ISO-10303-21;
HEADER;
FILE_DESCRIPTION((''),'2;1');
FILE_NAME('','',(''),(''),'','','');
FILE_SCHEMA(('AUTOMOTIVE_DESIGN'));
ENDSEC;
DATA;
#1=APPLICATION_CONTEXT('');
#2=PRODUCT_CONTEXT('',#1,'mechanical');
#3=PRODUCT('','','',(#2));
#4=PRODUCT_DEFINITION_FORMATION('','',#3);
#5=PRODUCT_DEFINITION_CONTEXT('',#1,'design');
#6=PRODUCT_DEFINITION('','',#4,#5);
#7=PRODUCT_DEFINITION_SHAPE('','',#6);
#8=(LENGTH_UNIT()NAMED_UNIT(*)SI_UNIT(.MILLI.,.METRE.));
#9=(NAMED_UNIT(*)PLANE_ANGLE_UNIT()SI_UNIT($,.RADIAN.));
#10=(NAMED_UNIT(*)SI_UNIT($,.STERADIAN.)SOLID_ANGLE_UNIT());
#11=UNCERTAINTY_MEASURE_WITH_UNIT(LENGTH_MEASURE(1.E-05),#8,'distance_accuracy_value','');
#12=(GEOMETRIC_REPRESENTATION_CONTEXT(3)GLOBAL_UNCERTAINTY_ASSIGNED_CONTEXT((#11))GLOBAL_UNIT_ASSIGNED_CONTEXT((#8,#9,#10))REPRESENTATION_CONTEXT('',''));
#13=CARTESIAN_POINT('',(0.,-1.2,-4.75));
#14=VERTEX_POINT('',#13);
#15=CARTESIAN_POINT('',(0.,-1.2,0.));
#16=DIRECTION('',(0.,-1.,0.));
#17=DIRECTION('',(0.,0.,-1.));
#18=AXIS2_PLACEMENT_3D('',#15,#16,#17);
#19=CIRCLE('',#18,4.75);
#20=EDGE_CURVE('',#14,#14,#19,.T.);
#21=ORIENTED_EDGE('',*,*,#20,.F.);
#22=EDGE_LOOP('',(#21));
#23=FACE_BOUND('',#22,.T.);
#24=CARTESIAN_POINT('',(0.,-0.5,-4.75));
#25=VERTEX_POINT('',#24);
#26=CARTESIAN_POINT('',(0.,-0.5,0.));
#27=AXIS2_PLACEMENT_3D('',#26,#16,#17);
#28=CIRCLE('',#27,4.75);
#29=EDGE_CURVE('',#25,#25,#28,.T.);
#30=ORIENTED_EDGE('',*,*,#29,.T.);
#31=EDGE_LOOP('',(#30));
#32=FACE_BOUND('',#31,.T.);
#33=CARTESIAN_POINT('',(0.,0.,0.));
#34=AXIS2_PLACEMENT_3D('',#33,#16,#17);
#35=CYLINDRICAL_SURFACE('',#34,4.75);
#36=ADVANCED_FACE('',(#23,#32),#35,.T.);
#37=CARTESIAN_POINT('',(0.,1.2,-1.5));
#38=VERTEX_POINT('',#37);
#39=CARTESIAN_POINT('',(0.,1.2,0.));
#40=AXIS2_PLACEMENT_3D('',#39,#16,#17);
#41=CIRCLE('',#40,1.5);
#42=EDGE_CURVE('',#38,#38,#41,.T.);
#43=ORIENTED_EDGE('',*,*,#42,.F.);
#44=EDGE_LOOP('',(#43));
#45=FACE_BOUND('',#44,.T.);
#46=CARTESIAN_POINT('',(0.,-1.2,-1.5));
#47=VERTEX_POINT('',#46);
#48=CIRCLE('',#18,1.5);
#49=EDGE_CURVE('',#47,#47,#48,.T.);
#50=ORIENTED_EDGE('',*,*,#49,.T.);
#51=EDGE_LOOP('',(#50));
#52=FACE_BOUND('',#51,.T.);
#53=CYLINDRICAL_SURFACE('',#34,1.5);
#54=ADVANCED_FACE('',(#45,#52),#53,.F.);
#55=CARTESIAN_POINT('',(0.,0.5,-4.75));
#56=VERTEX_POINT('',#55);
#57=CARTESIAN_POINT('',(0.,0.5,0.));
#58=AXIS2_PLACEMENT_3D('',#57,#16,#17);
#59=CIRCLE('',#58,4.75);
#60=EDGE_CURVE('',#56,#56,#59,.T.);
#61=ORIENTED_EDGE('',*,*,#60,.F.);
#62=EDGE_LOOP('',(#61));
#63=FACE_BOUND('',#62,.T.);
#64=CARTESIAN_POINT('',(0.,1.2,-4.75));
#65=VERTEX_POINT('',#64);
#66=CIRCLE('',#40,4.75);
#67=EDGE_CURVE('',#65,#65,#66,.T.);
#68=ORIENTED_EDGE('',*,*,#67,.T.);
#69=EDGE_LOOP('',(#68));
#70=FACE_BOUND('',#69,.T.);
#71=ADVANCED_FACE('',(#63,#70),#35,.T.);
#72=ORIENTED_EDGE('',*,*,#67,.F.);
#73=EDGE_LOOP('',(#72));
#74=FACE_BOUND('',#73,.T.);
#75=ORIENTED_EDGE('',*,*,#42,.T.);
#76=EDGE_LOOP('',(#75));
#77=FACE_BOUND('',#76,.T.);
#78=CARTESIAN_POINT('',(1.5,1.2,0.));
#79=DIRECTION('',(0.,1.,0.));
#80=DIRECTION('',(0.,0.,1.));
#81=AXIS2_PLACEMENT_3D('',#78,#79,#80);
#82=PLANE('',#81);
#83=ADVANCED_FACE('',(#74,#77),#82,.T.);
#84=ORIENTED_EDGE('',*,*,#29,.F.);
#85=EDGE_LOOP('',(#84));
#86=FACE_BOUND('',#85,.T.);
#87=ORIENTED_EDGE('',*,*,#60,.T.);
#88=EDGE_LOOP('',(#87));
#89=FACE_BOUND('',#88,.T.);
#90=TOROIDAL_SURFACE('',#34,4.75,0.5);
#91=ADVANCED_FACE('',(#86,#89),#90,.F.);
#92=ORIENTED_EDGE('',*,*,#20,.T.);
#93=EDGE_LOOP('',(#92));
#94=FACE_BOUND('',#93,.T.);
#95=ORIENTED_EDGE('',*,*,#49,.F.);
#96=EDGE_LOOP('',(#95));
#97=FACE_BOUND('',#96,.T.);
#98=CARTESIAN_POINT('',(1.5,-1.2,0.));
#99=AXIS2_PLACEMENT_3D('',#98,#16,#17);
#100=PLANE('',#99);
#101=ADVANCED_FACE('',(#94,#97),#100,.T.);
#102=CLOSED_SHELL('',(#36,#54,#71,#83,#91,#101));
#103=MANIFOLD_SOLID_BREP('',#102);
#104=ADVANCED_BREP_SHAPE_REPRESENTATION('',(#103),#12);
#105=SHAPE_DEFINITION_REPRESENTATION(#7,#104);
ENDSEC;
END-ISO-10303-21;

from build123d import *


with BuildPart() as part:
    # Sketch1 → Revolve1 (revolve)
    with BuildSketch(Plane.XY):
        with BuildLine():
            Line((1.5, -1.2), (1.5, 1.2))
            Line((1.5, 1.2), (4.75, 1.2))
            Line((4.75, 1.2), (4.75, 0.5))
            ThreePointArc((4.75, 0.5), (4.25, 0), (4.75, -0.5))
            Line((4.75, -0.5), (4.75, -1.2))
            Line((4.75, -1.2), (1.5, -1.2))
        make_face()
    revolve(axis=Axis((0, 0, 0), (0, 1, 0)))


solid = part.part
